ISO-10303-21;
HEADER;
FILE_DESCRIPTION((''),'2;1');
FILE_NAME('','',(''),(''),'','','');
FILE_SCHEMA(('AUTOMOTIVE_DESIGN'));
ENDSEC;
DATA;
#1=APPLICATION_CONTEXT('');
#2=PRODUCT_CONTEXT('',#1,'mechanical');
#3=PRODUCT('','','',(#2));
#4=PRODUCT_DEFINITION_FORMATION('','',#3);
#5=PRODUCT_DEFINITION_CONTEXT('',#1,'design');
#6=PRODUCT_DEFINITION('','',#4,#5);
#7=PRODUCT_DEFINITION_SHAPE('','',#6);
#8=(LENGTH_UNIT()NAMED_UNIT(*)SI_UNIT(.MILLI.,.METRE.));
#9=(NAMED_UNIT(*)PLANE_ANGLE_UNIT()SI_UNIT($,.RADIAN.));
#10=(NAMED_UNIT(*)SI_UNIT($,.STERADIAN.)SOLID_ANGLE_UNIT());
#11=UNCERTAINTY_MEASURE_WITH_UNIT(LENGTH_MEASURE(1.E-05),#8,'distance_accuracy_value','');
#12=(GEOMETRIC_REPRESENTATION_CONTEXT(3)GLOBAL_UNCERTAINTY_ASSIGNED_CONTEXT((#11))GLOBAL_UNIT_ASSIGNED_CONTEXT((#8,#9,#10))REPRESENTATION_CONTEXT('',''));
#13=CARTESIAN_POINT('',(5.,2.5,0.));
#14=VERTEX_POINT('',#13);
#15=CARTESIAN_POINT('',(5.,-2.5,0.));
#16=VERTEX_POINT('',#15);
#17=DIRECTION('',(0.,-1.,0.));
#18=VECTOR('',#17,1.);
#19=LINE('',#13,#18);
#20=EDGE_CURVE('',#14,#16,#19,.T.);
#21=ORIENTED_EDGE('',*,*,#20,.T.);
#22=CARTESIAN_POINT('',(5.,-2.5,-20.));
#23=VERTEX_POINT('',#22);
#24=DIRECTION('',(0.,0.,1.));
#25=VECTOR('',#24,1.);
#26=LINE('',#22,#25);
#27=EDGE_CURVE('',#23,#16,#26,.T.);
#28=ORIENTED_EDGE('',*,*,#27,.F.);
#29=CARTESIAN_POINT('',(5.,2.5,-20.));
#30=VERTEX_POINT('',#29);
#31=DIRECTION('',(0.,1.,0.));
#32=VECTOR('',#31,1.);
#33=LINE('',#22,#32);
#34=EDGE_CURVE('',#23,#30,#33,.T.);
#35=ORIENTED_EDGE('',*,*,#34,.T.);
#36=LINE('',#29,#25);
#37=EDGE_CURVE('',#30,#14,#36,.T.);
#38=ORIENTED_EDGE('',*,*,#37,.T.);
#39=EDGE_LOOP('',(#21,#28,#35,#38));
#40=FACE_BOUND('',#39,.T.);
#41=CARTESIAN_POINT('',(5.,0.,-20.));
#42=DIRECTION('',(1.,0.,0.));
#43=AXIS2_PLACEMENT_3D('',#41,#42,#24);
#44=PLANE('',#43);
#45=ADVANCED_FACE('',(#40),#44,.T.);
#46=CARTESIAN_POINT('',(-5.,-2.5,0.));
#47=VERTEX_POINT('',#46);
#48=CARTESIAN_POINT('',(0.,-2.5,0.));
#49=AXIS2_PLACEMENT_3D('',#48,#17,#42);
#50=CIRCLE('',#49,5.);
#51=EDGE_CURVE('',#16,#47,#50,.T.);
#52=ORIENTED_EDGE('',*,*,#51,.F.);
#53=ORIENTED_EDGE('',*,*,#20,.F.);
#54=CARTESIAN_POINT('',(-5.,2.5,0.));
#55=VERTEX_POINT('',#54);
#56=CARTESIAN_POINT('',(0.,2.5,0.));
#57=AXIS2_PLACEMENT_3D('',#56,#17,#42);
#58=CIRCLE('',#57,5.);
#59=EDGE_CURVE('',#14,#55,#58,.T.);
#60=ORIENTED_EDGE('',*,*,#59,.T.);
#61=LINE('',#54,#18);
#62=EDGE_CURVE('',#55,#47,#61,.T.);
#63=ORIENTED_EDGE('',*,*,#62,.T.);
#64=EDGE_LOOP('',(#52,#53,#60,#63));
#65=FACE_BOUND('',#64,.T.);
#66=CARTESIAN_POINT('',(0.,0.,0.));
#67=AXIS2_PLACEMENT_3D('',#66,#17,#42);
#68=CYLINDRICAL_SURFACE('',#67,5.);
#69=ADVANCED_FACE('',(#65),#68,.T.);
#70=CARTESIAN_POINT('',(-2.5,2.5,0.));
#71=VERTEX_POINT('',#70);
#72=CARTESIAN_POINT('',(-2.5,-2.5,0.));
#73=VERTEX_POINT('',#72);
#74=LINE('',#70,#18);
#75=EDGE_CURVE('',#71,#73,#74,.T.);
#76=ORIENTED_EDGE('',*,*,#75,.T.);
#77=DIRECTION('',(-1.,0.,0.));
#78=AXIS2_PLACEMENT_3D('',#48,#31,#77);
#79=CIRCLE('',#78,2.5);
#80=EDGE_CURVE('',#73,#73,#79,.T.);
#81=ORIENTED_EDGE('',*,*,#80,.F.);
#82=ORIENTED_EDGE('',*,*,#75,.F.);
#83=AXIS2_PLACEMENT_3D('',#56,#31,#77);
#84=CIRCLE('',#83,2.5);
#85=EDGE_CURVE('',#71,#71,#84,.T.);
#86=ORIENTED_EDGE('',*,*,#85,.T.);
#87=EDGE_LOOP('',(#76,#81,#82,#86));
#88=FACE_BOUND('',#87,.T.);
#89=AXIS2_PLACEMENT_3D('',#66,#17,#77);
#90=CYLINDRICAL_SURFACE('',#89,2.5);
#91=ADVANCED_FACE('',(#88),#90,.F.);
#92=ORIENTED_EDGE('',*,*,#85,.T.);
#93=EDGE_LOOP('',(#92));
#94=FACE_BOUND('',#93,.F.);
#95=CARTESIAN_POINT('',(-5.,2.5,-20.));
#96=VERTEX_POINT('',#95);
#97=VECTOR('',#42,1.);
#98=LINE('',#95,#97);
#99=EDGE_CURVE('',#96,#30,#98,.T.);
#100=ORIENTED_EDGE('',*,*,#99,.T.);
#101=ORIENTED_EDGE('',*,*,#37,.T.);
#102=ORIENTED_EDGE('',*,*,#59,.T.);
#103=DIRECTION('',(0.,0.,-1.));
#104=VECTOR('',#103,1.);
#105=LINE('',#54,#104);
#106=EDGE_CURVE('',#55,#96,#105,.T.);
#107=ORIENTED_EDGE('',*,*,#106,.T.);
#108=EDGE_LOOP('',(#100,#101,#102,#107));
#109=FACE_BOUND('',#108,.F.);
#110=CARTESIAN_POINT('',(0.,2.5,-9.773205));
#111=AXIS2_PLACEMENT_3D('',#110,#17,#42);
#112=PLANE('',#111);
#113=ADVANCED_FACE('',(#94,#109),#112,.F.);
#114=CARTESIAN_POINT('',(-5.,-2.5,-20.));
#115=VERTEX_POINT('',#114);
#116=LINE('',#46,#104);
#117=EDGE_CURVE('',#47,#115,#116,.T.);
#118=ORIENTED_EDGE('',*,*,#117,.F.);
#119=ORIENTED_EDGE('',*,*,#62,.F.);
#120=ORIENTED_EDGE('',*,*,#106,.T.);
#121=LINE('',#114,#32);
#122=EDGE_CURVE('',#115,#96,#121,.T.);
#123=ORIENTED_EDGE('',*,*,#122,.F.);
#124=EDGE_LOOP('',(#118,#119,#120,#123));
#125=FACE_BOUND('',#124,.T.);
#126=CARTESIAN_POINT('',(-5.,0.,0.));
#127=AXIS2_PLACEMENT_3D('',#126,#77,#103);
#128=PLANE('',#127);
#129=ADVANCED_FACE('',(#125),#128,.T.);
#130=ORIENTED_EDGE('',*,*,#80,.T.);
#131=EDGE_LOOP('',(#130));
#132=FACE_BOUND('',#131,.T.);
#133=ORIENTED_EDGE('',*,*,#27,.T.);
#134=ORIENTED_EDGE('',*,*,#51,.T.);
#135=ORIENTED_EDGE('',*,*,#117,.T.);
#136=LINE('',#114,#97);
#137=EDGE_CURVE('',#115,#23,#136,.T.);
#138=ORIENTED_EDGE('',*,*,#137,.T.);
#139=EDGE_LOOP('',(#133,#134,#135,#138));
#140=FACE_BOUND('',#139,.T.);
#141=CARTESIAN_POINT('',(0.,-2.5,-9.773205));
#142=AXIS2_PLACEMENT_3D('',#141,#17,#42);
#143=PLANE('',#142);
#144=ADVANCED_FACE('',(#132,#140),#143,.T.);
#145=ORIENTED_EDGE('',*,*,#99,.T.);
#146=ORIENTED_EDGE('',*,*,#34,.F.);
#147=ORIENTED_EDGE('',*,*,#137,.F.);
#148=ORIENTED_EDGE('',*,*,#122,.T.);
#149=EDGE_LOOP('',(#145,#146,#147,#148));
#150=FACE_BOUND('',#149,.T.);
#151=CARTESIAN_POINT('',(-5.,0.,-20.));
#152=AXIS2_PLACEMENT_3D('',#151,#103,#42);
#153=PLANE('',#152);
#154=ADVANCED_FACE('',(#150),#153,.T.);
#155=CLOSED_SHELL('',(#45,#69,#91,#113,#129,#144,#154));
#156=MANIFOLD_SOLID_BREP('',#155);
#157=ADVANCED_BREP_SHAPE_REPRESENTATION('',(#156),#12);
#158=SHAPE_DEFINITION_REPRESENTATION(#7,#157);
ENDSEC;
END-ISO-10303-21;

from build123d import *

# Parameters (mm, degrees)
F1_DEPTH = 2.5


with BuildPart() as f1:
    # F0 (on Front) → F1 (new body, symmetric)
    with BuildSketch(Plane.XZ):
        with BuildLine():
            Line((5, -20), (5, 0))
            Line((5, 0), (2.5, 0))
            ThreePointArc((2.5, 0), (0, -2.5), (-2.5, 0))
            Line((-2.5, 0), (-5, 0))
            Line((-5, 0), (-5, -20))
            Line((-5, -20), (5, -20))
        make_face()
        with BuildLine():
            Line((2.5, 0), (5, 0))
            ThreePointArc((5, 0), (0, 5), (-5, 0))
            Line((-5, 0), (-2.5, 0))
            ThreePointArc((-2.5, 0), (0, 2.5), (2.5, 0))
        make_face()
    extrude(amount=F1_DEPTH, both=True)


solid = f1.part
